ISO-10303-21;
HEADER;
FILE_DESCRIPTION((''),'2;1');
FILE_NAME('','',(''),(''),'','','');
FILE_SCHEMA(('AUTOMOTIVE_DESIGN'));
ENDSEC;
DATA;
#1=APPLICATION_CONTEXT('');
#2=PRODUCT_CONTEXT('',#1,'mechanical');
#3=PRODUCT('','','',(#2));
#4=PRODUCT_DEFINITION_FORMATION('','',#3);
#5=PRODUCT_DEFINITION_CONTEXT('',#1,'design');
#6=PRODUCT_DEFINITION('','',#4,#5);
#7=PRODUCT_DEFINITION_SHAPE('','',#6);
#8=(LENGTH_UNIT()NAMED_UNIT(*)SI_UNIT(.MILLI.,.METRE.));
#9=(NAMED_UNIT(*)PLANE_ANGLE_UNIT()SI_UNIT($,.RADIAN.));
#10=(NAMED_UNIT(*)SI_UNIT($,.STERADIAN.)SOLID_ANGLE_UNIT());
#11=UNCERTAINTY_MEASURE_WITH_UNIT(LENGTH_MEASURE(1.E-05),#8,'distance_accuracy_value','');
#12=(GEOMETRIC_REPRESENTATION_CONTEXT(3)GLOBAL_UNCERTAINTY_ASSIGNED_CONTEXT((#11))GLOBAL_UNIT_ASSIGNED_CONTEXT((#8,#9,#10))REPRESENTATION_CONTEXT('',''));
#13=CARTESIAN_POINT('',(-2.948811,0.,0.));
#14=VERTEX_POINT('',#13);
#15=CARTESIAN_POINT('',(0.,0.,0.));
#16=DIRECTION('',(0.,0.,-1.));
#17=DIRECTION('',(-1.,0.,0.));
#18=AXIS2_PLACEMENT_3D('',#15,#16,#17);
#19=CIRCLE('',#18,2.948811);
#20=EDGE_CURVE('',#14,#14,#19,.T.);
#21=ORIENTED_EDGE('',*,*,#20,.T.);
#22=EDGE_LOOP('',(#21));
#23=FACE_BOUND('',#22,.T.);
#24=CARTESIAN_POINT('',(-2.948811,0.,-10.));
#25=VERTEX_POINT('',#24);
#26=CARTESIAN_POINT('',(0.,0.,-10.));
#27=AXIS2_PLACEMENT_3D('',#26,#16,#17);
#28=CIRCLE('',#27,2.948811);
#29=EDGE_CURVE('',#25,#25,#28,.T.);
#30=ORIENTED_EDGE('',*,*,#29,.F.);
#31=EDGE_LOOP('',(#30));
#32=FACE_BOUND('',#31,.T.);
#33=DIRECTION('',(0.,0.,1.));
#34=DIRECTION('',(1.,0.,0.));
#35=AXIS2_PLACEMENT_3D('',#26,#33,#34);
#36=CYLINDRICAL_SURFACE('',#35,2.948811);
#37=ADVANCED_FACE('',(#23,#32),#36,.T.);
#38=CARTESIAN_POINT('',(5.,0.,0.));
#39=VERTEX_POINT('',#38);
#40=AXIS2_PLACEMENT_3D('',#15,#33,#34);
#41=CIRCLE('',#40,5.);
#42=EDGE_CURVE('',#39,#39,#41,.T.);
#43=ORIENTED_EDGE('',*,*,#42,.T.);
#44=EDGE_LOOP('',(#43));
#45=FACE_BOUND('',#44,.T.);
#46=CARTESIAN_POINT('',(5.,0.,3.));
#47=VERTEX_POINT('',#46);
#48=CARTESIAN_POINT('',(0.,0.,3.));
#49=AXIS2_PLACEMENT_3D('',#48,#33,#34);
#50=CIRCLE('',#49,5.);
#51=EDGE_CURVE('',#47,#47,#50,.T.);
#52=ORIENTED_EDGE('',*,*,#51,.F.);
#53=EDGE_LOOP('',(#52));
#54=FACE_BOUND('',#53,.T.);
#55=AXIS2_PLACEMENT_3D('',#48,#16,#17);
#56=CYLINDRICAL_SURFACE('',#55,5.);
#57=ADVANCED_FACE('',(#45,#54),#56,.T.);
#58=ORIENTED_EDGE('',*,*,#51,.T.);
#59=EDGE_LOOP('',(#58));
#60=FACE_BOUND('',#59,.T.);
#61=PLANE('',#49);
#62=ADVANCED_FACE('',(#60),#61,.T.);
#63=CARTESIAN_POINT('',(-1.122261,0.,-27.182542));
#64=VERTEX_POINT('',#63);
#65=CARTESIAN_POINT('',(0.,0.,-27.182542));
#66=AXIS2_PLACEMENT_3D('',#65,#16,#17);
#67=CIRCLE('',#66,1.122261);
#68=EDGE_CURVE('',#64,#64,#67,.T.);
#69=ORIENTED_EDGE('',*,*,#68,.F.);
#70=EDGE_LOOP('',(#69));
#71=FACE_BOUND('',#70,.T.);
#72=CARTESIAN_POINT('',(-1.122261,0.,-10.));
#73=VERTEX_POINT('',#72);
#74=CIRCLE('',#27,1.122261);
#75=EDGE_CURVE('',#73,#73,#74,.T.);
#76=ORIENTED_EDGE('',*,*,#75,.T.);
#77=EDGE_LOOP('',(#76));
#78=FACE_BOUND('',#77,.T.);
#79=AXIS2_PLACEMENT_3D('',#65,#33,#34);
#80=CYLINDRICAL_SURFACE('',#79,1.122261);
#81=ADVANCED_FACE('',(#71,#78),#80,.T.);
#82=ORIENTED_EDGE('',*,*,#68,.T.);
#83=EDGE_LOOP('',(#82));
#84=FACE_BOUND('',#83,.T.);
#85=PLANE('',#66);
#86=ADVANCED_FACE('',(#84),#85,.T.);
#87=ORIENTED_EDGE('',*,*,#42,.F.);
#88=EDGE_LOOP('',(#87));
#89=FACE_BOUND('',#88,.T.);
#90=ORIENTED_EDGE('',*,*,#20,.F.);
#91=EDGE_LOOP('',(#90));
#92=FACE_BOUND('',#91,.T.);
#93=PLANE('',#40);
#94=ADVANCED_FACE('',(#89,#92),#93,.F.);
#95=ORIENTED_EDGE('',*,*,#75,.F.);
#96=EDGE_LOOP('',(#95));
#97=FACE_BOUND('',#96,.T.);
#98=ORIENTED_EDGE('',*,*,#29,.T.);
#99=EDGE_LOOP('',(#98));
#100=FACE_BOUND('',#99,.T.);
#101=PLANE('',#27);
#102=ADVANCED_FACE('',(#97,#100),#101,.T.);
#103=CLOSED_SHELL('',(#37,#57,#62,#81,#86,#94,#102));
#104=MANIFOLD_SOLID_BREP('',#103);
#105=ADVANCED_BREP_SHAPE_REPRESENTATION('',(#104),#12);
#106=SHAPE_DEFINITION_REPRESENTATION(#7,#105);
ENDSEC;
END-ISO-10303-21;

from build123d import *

# Parameters (mm, degrees)
SKETCH_1_R      = 5
EXTRUDE_1_DEPTH = 3
SKETCH_2_R      = 2.948811386
EXTRUDE_2_DEPTH = 10
SKETCH_3_R      = 1.122261049
EXTRUDE_3_DEPTH = 17.182541617


with BuildPart() as part:
    # 草图1 → 凸台-拉伸1 (new body)
    with BuildSketch(Plane.XY):
        Circle(SKETCH_1_R)
    extrude(amount=EXTRUDE_1_DEPTH)

    # 草图2 → 凸台-拉伸2 (add)
    with BuildSketch(Plane(origin=(0, 0, 0), x_dir=(-1, 0, 0), z_dir=(0, 0, -1))):
        Circle(SKETCH_2_R)
    extrude(amount=EXTRUDE_2_DEPTH)

    # 草图3 → 凸台-拉伸3 (add)
    with BuildSketch(Plane(origin=(0, 0, -10), x_dir=(-1, 0, 0), z_dir=(0, 0, -1))):
        Circle(SKETCH_3_R)
    extrude(amount=EXTRUDE_3_DEPTH)


solid = part.part
